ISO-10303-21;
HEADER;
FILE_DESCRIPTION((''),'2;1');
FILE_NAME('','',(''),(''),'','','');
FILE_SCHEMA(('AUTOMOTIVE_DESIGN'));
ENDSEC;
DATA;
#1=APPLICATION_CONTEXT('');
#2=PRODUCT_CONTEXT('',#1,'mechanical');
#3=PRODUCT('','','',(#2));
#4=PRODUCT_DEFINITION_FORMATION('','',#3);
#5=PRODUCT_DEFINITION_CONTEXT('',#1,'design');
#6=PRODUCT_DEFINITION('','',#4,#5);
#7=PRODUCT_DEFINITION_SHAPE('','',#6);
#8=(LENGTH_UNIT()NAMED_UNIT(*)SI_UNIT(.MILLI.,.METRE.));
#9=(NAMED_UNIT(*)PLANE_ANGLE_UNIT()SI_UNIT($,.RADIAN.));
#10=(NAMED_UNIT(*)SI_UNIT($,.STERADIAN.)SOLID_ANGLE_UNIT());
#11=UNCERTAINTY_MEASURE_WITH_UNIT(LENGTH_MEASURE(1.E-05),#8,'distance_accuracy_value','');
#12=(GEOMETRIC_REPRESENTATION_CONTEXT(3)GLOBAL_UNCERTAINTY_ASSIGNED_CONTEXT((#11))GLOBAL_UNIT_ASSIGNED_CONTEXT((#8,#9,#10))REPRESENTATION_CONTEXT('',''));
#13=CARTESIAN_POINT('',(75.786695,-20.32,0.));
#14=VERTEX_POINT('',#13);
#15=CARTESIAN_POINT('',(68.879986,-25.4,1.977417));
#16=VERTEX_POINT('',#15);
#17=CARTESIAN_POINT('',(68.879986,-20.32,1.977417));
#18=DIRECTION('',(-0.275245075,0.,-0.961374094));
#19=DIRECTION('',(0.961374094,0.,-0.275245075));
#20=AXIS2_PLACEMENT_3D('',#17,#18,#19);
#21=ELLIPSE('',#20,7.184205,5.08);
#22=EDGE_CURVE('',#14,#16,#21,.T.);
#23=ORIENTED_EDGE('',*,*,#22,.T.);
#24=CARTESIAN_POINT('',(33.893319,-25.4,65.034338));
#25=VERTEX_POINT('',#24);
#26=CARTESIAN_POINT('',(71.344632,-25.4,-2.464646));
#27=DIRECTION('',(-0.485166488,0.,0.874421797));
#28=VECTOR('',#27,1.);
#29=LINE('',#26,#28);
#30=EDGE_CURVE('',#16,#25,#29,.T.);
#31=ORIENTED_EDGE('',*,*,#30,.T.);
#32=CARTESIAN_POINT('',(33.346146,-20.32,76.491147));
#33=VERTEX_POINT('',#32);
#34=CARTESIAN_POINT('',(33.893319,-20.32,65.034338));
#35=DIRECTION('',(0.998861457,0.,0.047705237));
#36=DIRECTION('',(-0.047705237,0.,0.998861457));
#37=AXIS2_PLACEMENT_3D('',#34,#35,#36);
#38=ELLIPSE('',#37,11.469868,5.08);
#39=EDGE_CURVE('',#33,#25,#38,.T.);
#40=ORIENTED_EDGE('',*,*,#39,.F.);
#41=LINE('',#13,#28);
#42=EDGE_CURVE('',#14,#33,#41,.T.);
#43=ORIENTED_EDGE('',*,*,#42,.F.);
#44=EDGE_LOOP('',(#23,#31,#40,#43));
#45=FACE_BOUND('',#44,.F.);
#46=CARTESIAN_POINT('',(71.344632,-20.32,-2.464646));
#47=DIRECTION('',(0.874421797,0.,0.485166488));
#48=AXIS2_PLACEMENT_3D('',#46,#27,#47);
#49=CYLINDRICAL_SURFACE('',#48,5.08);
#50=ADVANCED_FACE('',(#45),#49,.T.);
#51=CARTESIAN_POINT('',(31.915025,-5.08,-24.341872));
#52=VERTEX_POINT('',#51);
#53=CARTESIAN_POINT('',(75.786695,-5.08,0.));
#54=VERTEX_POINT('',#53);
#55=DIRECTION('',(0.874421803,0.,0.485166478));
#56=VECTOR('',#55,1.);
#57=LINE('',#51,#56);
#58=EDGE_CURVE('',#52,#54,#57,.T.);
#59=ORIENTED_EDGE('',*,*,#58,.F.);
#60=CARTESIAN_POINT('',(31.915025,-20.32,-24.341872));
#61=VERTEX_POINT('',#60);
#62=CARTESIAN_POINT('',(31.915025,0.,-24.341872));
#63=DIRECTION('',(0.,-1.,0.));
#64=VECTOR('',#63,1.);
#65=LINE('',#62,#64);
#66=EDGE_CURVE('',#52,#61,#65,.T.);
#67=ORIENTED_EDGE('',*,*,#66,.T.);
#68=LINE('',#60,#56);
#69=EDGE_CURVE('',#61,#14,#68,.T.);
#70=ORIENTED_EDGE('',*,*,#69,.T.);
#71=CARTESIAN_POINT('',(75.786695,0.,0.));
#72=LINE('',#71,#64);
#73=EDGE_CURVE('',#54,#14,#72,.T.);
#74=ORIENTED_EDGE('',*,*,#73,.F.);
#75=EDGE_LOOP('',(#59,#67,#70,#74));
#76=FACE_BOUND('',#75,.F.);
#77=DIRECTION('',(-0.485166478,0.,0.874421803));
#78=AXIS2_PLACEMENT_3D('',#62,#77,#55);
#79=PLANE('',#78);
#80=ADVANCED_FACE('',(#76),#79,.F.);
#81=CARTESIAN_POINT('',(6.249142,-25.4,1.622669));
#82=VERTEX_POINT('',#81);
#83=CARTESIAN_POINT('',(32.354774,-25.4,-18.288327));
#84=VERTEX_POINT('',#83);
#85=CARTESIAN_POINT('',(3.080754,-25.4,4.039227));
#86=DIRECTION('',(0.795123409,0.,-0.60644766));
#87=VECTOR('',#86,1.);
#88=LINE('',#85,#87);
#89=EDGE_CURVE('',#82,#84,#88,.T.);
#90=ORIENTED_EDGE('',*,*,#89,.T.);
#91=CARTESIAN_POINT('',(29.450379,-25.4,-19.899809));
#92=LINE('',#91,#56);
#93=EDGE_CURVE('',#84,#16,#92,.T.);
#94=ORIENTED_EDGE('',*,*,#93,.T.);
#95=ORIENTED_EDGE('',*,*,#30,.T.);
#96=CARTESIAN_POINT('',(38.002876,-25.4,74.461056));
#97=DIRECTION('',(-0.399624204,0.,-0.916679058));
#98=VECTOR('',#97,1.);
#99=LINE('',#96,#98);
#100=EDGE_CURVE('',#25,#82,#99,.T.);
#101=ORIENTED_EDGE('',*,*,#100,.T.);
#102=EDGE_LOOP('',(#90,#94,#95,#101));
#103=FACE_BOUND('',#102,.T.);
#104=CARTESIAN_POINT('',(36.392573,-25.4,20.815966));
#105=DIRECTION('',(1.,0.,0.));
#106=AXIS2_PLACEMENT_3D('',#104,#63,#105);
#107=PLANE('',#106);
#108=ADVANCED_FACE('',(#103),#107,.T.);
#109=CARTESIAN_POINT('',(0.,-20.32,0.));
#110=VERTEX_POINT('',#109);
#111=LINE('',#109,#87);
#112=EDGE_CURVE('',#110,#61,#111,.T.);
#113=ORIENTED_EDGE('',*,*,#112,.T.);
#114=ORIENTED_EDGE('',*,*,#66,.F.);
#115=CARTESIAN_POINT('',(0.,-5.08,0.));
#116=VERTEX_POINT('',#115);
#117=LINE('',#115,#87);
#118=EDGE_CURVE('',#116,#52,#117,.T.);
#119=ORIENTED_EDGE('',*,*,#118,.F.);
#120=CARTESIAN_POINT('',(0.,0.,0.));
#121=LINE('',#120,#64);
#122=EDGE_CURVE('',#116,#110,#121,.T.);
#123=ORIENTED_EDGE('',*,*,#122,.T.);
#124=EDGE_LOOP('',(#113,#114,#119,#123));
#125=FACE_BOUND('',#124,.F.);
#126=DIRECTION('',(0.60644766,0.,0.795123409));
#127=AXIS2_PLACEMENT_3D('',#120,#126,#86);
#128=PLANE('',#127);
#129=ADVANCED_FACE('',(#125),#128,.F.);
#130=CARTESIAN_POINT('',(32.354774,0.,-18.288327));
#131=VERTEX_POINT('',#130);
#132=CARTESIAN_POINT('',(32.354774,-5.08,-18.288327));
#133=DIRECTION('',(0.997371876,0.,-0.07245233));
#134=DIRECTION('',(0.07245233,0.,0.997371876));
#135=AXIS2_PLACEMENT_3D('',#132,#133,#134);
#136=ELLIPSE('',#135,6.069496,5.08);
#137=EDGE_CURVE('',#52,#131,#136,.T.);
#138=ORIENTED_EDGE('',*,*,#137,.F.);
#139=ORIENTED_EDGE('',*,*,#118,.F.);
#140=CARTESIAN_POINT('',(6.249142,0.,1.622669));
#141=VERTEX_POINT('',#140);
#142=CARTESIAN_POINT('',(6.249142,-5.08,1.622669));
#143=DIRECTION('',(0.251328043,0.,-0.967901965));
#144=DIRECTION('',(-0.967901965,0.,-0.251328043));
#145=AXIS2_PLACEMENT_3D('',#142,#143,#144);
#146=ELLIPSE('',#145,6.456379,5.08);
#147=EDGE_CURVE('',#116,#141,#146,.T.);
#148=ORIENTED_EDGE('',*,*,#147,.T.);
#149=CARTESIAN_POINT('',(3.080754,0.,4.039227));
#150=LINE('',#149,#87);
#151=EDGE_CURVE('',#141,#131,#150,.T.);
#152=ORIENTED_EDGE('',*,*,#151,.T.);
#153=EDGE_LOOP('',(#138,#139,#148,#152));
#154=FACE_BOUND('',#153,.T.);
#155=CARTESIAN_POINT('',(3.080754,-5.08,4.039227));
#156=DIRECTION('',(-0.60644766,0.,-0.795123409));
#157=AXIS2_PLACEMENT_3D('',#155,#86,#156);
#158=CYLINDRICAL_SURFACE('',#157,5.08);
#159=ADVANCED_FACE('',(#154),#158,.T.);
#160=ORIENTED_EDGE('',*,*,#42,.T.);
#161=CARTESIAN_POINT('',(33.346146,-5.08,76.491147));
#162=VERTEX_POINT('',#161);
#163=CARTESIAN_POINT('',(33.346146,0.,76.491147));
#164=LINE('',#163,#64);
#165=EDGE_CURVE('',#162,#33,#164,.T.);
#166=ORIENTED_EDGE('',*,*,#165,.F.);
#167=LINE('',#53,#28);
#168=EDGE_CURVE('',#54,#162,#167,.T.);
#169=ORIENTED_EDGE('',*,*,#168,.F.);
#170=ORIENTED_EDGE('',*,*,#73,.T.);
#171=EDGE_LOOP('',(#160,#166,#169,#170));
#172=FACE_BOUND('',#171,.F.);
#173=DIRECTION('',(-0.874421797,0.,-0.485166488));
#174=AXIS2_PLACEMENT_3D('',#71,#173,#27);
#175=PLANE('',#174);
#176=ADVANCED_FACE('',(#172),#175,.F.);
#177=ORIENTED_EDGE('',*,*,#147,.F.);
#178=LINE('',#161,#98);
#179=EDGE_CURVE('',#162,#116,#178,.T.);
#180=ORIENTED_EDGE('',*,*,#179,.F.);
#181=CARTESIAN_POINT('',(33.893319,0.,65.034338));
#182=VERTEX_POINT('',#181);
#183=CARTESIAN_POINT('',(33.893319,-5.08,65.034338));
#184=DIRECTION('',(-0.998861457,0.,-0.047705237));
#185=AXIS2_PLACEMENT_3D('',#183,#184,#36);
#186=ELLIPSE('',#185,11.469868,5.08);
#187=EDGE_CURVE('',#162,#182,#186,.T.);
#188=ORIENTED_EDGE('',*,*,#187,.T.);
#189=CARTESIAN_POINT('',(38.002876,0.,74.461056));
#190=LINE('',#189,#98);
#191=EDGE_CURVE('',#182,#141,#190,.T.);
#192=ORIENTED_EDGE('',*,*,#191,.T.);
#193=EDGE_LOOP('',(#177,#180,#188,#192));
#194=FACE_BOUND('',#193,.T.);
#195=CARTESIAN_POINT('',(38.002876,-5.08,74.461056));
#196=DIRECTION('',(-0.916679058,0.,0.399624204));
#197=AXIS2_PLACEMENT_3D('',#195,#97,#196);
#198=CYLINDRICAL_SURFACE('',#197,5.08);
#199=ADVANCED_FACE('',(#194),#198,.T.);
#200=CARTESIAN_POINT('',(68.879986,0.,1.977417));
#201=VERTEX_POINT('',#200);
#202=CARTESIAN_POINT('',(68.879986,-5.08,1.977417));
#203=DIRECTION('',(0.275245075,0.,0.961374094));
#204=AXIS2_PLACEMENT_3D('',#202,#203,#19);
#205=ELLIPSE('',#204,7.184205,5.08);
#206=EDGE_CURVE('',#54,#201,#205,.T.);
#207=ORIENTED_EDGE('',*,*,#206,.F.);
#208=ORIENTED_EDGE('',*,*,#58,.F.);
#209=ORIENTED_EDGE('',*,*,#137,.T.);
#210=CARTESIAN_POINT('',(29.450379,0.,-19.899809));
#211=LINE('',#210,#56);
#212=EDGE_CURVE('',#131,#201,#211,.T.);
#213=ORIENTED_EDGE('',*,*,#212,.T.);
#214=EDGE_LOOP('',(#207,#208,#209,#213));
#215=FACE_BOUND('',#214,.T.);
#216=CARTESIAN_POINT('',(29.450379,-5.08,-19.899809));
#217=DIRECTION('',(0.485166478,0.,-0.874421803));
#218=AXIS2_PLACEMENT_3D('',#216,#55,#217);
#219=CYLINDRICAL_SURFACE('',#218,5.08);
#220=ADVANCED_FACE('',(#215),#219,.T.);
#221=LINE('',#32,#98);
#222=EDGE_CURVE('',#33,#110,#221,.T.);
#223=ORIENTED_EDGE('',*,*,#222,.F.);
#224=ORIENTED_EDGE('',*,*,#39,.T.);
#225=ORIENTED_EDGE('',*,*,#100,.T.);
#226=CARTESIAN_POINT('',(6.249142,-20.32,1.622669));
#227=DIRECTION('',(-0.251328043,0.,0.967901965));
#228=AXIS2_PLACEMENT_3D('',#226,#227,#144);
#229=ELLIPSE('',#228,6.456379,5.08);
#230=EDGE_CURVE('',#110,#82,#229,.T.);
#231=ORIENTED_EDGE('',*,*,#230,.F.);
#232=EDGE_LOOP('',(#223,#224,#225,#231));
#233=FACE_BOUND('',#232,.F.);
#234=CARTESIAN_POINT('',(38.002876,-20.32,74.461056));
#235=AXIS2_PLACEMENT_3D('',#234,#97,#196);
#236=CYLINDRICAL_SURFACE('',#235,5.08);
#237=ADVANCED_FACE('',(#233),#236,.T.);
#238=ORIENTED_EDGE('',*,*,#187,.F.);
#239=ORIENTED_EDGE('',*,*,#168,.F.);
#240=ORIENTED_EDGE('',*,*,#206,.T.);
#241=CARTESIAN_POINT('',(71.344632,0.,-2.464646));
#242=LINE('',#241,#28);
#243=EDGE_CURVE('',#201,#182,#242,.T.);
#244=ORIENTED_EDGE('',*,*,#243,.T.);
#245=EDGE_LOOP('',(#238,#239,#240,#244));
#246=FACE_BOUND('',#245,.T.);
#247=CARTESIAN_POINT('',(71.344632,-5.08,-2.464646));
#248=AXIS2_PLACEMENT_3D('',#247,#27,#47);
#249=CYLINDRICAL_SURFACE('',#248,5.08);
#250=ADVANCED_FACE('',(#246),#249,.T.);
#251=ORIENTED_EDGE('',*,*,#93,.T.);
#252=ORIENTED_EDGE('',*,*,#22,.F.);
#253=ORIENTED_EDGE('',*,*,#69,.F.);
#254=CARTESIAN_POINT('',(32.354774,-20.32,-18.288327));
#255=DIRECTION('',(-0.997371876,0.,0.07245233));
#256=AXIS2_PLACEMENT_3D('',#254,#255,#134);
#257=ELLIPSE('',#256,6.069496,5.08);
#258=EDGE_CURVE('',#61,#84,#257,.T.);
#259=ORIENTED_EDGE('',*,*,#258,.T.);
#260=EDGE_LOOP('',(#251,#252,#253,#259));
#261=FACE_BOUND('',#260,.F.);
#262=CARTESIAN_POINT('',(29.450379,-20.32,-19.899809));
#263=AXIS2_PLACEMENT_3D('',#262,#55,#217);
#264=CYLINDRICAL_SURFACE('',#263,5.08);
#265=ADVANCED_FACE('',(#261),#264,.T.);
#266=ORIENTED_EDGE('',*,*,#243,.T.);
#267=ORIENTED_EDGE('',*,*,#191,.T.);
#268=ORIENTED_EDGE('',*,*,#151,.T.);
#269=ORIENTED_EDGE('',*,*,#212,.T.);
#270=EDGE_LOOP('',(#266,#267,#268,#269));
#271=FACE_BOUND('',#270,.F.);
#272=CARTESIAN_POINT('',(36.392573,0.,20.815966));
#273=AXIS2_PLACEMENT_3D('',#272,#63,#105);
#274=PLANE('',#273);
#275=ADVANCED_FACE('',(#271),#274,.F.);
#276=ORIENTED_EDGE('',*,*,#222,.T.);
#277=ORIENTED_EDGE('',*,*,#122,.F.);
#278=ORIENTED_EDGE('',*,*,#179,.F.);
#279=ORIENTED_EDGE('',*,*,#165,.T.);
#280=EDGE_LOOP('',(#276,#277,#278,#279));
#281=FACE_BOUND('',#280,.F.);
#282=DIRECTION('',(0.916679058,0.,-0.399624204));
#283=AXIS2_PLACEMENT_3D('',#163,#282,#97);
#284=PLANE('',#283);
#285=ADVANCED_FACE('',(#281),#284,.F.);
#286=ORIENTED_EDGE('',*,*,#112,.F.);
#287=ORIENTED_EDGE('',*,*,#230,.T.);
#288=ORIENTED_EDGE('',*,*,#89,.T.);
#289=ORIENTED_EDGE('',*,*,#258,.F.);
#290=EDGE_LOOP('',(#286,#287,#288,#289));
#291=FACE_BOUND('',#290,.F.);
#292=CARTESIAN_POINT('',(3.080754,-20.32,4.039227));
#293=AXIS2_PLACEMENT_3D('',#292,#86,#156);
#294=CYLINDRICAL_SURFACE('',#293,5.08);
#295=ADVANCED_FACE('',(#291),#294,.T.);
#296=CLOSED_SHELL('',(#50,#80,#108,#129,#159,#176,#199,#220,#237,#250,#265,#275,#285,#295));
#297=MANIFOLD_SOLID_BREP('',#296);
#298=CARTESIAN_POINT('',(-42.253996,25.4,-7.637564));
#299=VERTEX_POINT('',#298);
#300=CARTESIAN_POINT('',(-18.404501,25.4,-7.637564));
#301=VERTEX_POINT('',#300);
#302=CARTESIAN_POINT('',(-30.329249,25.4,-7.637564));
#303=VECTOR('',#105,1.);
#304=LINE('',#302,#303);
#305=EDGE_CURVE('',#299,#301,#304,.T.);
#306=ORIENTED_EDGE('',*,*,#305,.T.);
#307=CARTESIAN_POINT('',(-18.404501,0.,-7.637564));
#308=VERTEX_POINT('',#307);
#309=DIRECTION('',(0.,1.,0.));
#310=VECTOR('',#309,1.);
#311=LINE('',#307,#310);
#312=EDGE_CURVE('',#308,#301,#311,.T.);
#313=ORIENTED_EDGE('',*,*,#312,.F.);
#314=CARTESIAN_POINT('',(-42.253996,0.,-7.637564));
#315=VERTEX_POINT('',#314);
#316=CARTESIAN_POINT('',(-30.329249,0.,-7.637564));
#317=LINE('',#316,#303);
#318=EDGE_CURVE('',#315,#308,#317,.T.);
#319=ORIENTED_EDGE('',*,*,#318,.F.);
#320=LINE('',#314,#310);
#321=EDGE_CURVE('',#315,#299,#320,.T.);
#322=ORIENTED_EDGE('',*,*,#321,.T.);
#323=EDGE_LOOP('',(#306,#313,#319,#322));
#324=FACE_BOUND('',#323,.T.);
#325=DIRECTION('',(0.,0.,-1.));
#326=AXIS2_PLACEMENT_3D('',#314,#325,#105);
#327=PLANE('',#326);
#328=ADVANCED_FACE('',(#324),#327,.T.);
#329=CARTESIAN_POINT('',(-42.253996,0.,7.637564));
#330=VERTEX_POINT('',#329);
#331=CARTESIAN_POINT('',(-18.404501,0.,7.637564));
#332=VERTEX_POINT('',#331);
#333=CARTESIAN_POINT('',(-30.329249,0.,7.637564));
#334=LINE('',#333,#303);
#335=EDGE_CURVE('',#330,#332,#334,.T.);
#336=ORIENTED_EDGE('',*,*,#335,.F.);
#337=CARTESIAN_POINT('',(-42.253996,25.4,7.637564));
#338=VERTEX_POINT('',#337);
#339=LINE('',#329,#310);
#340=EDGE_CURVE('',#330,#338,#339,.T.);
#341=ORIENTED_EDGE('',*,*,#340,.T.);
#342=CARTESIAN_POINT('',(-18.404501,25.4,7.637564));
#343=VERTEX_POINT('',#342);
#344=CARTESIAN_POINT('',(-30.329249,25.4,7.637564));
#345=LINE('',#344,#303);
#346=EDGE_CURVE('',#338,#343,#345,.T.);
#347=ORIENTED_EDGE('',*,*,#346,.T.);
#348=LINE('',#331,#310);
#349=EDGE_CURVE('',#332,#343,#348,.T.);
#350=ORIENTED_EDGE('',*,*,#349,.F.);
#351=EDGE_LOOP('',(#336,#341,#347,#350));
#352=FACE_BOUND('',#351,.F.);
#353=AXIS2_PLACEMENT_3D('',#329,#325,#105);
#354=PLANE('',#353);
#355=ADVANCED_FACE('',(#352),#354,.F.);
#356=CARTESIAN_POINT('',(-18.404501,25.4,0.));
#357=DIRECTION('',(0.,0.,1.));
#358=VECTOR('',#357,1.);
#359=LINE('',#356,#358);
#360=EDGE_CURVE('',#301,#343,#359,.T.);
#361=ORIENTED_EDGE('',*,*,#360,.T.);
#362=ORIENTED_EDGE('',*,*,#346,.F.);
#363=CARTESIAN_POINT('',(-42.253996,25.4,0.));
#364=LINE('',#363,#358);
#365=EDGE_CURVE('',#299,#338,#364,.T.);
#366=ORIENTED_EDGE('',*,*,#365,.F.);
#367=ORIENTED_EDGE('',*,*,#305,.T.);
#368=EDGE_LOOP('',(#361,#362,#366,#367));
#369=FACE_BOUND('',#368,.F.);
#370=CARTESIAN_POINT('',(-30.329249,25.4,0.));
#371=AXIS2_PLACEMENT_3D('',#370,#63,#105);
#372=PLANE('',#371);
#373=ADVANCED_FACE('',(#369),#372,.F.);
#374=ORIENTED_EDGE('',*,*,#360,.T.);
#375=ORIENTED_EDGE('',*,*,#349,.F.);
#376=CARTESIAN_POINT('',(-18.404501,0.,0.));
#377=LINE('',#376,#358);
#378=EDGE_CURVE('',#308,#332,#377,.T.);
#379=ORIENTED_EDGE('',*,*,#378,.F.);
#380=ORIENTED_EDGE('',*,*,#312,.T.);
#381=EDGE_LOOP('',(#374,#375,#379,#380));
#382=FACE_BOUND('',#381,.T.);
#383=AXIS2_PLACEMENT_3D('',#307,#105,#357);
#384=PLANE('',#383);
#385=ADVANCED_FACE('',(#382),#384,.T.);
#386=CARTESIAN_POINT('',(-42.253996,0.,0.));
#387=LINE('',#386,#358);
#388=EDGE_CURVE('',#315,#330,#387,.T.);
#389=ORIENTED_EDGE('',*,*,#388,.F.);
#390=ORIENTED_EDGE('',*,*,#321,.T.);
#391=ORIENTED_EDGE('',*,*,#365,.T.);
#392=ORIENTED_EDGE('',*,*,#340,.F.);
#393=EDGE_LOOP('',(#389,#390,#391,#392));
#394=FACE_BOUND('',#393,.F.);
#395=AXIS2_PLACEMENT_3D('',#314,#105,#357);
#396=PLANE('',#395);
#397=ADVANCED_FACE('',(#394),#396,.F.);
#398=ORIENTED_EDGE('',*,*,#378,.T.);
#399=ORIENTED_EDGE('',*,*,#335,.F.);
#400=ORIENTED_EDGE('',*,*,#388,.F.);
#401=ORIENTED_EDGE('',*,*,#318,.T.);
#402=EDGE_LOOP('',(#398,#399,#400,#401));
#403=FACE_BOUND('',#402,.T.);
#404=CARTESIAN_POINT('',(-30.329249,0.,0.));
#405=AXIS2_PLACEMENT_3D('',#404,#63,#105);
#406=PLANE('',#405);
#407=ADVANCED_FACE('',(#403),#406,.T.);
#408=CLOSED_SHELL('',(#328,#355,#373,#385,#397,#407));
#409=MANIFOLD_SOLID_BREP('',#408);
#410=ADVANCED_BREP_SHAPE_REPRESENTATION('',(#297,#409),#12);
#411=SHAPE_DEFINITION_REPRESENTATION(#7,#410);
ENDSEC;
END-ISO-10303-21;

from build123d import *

# Parameters (mm, degrees)
F1_DEPTH = 25.4
F2_R     = 5.08
F3_W     = 23.849495
F3_H     = 15.275128
F4_DEPTH = 25.4


with BuildPart() as f1:
    # F0 (on Front) → F1 (new body)
    with BuildSketch(Plane.XZ):
        Polygon((33.346146, 76.491147), (0, 0), (31.915025, -24.341872), (75.786695, 0), align=None)
    extrude(amount=F1_DEPTH)

    # F2
    f2_edges = [f1.edges().sort_by_distance(p)[0] for p in [
        (53.85086, -25.4, -12.170936),
        (54.566421, -25.4, 38.245574),
        (16.673073, -25.4, 38.245574),
        (15.957513, -25.4, -12.170936),
        (53.85086, 0, -12.170936),
        (54.566421, 0, 38.245574),
        (16.673073, 0, 38.245574),
        (15.957513, 0, -12.170936),
    ]]
    fillet(f2_edges, radius=F2_R)


with BuildPart() as f4:
    # F3 (on Front) → F4 (new body)
    with BuildSketch(Plane.XZ):
        with Locations((-30.329249, 0)):
            Rectangle(F3_W, F3_H)
    extrude(amount=-F4_DEPTH)


solid = Compound([f1.part, f4.part])
